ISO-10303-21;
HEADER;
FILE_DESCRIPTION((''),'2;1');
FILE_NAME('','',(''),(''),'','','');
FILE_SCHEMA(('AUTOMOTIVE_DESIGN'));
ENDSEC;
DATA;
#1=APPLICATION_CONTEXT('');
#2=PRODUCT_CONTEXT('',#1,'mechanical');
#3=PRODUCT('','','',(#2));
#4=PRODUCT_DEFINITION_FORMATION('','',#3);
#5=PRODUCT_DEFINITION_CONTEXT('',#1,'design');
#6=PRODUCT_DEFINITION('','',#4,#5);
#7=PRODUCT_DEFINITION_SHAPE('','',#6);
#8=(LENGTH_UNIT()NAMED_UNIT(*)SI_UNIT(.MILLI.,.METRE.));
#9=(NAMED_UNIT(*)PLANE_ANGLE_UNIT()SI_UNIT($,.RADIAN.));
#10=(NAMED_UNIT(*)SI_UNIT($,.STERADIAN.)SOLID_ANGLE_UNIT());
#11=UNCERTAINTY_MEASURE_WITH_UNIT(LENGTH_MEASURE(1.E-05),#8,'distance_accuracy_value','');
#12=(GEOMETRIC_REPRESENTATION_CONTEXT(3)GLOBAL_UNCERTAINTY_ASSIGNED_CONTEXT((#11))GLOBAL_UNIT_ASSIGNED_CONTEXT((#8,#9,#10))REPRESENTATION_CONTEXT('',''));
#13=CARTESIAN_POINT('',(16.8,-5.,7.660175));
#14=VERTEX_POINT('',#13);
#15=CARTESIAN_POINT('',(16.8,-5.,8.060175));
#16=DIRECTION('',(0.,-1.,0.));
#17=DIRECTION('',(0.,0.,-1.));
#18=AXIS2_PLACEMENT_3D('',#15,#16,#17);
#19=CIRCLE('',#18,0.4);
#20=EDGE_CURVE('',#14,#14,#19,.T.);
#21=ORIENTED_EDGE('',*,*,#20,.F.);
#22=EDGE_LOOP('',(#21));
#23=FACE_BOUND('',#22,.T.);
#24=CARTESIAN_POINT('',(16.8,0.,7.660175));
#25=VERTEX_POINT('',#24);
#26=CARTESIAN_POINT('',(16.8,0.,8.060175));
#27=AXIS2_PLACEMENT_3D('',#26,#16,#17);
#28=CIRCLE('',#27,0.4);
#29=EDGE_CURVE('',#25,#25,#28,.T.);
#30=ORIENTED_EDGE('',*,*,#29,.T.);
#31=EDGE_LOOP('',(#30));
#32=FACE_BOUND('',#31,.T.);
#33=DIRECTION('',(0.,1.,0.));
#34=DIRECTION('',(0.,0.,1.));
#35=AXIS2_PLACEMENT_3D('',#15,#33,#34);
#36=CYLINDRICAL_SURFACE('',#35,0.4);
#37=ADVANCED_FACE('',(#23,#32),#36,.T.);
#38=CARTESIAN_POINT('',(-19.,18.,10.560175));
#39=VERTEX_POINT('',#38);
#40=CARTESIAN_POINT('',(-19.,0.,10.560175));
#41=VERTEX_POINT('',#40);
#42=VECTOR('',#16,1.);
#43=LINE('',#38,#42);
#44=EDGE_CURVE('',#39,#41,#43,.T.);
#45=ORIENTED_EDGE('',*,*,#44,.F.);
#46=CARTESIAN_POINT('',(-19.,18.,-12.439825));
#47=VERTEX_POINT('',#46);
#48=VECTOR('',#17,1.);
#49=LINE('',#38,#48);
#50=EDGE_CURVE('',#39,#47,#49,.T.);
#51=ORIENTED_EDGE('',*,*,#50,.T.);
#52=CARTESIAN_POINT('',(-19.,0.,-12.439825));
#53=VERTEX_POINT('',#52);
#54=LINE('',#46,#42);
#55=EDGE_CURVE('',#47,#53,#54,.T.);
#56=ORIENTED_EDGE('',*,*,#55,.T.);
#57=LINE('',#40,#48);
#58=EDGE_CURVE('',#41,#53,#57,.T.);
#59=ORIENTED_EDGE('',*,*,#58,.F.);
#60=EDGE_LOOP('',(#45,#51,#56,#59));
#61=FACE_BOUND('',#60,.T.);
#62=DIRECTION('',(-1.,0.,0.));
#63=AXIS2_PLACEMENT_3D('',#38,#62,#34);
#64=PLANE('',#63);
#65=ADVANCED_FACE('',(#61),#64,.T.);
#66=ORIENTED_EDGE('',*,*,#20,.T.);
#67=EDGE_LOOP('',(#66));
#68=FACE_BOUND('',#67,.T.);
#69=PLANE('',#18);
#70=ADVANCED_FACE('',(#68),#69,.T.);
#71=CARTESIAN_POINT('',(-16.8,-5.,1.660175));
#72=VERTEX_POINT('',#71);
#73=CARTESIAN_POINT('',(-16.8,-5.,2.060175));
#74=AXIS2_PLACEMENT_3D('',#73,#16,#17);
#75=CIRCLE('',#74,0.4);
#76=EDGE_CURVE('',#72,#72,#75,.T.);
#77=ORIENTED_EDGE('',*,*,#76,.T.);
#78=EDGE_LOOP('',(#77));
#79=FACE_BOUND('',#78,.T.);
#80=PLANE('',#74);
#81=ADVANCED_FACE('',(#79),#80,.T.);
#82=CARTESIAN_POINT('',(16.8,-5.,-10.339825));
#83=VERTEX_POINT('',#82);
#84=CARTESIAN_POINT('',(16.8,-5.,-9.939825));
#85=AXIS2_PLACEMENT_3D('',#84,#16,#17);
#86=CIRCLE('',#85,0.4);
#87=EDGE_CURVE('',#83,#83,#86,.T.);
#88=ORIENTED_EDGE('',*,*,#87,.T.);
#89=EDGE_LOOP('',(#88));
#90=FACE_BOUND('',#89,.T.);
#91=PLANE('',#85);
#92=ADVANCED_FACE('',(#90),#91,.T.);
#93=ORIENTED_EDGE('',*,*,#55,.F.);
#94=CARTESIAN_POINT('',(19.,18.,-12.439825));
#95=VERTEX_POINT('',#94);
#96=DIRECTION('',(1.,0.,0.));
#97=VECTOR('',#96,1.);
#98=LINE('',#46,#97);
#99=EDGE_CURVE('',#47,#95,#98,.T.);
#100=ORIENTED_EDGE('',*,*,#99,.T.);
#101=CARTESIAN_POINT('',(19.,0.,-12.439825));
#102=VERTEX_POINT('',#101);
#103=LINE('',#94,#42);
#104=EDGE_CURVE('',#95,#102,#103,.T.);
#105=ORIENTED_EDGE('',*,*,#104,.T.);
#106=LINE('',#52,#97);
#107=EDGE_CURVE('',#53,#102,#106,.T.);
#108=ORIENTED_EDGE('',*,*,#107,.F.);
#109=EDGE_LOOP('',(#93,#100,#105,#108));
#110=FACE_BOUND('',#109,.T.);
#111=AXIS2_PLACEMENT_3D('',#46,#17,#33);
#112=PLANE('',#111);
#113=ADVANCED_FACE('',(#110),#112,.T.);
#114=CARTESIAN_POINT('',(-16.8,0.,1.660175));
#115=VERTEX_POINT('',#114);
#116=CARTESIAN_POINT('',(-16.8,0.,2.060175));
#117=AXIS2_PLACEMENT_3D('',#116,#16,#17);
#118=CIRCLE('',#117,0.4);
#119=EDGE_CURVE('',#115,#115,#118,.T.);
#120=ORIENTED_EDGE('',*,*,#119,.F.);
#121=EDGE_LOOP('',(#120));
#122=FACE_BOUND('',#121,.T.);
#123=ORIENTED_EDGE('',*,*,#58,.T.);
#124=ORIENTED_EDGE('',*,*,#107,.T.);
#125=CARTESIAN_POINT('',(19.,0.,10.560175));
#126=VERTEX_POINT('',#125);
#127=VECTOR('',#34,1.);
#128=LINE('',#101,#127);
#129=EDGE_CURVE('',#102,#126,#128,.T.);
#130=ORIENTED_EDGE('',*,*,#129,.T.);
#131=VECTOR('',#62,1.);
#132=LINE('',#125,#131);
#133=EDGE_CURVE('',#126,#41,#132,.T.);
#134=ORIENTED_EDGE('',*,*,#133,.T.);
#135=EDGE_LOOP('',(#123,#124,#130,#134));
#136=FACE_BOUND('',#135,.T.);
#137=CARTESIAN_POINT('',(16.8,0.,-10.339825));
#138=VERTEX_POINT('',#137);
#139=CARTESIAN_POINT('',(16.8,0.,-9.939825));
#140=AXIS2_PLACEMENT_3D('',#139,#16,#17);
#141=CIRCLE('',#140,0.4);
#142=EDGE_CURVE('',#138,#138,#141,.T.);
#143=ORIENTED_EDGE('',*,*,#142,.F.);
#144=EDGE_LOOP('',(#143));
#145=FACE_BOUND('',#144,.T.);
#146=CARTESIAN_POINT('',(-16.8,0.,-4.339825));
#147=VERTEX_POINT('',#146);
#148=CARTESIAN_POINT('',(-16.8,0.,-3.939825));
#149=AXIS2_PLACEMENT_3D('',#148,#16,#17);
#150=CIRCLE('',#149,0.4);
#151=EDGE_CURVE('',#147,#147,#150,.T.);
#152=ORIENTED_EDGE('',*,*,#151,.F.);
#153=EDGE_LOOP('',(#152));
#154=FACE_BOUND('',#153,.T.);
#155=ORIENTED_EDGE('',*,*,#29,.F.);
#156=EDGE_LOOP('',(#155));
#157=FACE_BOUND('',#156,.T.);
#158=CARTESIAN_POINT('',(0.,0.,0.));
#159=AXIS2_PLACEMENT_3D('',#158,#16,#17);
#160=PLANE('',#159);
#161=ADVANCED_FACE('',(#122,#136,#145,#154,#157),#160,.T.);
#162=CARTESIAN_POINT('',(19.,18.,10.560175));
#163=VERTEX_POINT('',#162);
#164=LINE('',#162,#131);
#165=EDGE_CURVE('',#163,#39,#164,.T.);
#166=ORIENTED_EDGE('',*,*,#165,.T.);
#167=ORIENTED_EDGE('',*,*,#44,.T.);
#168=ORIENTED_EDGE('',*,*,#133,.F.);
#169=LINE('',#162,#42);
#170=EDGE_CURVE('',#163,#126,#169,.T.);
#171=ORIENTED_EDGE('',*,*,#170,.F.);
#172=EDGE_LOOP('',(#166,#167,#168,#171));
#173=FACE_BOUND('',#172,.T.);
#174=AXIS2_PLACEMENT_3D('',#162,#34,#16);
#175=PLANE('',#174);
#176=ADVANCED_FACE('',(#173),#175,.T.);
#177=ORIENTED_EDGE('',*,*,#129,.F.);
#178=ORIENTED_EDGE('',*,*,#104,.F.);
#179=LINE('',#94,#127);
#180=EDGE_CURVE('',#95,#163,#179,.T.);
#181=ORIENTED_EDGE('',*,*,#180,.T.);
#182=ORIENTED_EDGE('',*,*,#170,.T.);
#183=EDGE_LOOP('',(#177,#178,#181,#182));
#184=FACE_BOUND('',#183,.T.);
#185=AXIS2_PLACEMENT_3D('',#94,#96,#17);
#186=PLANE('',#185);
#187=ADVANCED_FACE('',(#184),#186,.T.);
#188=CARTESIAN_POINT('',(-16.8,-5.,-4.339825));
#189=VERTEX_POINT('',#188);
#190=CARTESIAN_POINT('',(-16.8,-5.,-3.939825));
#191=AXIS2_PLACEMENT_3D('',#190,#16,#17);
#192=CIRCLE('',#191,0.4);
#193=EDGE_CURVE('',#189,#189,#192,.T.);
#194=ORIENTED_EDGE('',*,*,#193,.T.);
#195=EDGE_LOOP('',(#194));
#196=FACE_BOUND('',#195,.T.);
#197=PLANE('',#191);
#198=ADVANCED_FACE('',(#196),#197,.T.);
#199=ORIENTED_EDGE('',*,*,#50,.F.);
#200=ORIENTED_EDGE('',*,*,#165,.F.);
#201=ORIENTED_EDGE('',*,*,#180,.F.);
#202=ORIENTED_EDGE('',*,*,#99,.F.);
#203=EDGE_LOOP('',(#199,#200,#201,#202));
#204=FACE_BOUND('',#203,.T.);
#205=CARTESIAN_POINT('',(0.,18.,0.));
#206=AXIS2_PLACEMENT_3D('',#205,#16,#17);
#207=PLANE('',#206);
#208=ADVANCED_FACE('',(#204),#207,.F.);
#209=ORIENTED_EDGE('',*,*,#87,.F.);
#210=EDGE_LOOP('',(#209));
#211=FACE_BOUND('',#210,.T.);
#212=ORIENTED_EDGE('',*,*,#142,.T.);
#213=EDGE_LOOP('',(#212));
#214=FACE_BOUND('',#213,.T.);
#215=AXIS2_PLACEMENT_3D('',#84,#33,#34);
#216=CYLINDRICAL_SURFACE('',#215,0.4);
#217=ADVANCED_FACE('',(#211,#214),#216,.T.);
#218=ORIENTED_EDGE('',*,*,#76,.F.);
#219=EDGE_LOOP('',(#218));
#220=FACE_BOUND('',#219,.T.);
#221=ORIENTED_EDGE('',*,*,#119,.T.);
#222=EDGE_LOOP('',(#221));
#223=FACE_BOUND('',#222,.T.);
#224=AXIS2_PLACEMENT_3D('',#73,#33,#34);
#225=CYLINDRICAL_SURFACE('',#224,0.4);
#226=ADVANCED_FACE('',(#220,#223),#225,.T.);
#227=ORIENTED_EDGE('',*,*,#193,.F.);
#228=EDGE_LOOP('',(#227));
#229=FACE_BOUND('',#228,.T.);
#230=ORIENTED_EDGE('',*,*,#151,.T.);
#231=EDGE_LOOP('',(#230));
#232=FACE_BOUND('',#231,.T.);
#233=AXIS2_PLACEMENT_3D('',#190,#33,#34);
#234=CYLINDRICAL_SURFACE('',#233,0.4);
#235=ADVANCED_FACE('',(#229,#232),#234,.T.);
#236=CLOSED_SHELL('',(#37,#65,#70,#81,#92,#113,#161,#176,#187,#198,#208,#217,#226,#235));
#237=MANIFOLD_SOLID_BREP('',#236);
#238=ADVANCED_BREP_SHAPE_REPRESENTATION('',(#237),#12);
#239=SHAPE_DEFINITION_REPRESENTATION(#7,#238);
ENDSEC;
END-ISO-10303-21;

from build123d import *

# Parameters (mm, degrees)
SKETCH1_W           = 38
SKETCH1_H           = 23
BOSS_EXTRUDE1_DEPTH = 18
SKETCH3_R           = 0.4
BOSS_EXTRUDE3_DEPTH = 5
SKETCH4_R           = 0.4
BOSS_EXTRUDE4_DEPTH = 5
SKETCH5_R           = 0.4
BOSS_EXTRUDE5_DEPTH = 5
SKETCH6_R           = 0.4
BOSS_EXTRUDE6_DEPTH = 5


with BuildPart() as part:
    # Sketch1 → Boss-Extrude1 (new body)
    with BuildSketch(Plane.XZ):
        with Locations((0, -0.939824945)):
            Rectangle(SKETCH1_W, SKETCH1_H)
    extrude(amount=-BOSS_EXTRUDE1_DEPTH)

    # Sketch3 → Boss-Extrude3 (add)
    with BuildSketch(Plane.XZ):
        with Locations(Location((16.8, -9.939824945, 0), (0, 0, 270))):
            Circle(SKETCH3_R)
    extrude(amount=BOSS_EXTRUDE3_DEPTH)

    # Sketch4 → Boss-Extrude4 (add)
    with BuildSketch(Plane.XZ):
        with Locations(Location((-16.8, -3.939824945, 0), (0, 0, 270))):
            Circle(SKETCH4_R)
    extrude(amount=BOSS_EXTRUDE4_DEPTH)

    # Sketch5 → Boss-Extrude5 (add)
    with BuildSketch(Plane.XZ):
        with Locations(Location((16.8, 8.060175055, 0), (0, 0, 270))):
            Circle(SKETCH5_R)
    extrude(amount=BOSS_EXTRUDE5_DEPTH)

    # Sketch6 → Boss-Extrude6 (add)
    with BuildSketch(Plane.XZ):
        with Locations(Location((-16.8, 2.060175055, 0), (0, 0, 270))):
            Circle(SKETCH6_R)
    extrude(amount=BOSS_EXTRUDE6_DEPTH)


solid = part.part
